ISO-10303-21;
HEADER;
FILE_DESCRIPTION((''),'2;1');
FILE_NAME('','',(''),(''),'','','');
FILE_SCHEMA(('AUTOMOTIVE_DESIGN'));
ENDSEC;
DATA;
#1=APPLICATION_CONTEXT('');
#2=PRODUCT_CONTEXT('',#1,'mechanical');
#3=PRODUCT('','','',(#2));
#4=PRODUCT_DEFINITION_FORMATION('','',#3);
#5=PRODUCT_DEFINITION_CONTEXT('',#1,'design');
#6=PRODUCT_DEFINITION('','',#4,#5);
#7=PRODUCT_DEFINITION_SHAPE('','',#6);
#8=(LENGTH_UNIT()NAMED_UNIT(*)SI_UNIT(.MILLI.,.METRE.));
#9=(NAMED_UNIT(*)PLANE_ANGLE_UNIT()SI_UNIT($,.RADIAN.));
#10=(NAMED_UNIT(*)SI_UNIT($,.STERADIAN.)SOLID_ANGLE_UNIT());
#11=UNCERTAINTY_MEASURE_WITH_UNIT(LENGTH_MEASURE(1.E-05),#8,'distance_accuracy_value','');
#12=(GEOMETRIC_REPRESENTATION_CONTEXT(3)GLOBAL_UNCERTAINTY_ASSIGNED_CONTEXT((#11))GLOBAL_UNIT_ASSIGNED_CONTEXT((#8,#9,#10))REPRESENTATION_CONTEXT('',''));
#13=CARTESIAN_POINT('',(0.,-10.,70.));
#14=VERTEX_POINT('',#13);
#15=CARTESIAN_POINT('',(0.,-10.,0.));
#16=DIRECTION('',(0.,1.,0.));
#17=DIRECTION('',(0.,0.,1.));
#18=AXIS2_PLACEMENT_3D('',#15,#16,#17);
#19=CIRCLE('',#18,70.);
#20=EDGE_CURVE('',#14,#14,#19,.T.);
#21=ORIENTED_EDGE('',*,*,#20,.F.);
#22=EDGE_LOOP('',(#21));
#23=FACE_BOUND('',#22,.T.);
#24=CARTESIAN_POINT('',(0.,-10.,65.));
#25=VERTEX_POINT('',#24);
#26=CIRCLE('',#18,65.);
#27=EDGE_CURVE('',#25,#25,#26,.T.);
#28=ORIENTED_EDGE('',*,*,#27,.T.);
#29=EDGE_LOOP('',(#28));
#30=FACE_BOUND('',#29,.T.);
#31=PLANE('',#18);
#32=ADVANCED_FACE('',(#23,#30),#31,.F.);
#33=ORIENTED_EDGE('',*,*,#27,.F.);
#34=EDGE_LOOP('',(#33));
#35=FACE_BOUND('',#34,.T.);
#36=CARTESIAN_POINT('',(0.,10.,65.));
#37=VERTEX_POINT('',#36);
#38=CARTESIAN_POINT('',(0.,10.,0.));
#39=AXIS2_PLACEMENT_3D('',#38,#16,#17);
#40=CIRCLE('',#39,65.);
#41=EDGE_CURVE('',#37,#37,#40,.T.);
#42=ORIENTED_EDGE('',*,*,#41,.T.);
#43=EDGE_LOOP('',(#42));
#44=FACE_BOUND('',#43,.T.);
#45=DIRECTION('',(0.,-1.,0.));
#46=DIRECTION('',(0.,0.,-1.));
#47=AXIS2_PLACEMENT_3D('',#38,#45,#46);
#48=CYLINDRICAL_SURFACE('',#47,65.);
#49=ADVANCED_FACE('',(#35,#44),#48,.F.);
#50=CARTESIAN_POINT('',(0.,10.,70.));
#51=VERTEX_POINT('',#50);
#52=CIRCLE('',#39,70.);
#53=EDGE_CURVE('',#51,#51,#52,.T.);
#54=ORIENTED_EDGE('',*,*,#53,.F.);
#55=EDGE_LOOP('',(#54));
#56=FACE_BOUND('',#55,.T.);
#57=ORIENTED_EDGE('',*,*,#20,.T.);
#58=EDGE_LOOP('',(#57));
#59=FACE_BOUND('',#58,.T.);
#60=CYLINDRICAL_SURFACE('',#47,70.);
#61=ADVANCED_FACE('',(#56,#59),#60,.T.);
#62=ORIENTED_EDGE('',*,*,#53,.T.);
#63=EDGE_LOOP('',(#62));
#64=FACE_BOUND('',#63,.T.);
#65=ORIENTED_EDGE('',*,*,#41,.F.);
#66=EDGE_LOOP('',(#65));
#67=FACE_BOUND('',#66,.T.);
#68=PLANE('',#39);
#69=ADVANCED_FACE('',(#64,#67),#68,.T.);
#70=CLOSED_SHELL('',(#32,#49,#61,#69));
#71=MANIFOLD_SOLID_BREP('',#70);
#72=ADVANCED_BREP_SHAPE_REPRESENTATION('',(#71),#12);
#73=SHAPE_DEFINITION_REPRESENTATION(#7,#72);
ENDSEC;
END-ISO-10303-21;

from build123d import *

# Parameters (mm, degrees)
SZKIC1_R                    = 70
SZKIC1_R_2                  = 65
DODANIE_WYCI_GNI_CIE1_DEPTH = 10


with BuildPart() as part:
    # Szkic1 → Dodanie-wyciągnięcie1 (new, symmetric)
    with BuildSketch(Plane(origin=(0, 0, 0), x_dir=(1, 0, 0), z_dir=(0, 1, 0))):
        with Locations(Location((0, 0, 0), (0, 0, 270))):
            Circle(SZKIC1_R)
        with Locations(Location((0, 0, 0), (0, 0, 270))):
            Circle(SZKIC1_R_2, mode=Mode.SUBTRACT)
    extrude(amount=DODANIE_WYCI_GNI_CIE1_DEPTH, both=True)


solid = part.part
